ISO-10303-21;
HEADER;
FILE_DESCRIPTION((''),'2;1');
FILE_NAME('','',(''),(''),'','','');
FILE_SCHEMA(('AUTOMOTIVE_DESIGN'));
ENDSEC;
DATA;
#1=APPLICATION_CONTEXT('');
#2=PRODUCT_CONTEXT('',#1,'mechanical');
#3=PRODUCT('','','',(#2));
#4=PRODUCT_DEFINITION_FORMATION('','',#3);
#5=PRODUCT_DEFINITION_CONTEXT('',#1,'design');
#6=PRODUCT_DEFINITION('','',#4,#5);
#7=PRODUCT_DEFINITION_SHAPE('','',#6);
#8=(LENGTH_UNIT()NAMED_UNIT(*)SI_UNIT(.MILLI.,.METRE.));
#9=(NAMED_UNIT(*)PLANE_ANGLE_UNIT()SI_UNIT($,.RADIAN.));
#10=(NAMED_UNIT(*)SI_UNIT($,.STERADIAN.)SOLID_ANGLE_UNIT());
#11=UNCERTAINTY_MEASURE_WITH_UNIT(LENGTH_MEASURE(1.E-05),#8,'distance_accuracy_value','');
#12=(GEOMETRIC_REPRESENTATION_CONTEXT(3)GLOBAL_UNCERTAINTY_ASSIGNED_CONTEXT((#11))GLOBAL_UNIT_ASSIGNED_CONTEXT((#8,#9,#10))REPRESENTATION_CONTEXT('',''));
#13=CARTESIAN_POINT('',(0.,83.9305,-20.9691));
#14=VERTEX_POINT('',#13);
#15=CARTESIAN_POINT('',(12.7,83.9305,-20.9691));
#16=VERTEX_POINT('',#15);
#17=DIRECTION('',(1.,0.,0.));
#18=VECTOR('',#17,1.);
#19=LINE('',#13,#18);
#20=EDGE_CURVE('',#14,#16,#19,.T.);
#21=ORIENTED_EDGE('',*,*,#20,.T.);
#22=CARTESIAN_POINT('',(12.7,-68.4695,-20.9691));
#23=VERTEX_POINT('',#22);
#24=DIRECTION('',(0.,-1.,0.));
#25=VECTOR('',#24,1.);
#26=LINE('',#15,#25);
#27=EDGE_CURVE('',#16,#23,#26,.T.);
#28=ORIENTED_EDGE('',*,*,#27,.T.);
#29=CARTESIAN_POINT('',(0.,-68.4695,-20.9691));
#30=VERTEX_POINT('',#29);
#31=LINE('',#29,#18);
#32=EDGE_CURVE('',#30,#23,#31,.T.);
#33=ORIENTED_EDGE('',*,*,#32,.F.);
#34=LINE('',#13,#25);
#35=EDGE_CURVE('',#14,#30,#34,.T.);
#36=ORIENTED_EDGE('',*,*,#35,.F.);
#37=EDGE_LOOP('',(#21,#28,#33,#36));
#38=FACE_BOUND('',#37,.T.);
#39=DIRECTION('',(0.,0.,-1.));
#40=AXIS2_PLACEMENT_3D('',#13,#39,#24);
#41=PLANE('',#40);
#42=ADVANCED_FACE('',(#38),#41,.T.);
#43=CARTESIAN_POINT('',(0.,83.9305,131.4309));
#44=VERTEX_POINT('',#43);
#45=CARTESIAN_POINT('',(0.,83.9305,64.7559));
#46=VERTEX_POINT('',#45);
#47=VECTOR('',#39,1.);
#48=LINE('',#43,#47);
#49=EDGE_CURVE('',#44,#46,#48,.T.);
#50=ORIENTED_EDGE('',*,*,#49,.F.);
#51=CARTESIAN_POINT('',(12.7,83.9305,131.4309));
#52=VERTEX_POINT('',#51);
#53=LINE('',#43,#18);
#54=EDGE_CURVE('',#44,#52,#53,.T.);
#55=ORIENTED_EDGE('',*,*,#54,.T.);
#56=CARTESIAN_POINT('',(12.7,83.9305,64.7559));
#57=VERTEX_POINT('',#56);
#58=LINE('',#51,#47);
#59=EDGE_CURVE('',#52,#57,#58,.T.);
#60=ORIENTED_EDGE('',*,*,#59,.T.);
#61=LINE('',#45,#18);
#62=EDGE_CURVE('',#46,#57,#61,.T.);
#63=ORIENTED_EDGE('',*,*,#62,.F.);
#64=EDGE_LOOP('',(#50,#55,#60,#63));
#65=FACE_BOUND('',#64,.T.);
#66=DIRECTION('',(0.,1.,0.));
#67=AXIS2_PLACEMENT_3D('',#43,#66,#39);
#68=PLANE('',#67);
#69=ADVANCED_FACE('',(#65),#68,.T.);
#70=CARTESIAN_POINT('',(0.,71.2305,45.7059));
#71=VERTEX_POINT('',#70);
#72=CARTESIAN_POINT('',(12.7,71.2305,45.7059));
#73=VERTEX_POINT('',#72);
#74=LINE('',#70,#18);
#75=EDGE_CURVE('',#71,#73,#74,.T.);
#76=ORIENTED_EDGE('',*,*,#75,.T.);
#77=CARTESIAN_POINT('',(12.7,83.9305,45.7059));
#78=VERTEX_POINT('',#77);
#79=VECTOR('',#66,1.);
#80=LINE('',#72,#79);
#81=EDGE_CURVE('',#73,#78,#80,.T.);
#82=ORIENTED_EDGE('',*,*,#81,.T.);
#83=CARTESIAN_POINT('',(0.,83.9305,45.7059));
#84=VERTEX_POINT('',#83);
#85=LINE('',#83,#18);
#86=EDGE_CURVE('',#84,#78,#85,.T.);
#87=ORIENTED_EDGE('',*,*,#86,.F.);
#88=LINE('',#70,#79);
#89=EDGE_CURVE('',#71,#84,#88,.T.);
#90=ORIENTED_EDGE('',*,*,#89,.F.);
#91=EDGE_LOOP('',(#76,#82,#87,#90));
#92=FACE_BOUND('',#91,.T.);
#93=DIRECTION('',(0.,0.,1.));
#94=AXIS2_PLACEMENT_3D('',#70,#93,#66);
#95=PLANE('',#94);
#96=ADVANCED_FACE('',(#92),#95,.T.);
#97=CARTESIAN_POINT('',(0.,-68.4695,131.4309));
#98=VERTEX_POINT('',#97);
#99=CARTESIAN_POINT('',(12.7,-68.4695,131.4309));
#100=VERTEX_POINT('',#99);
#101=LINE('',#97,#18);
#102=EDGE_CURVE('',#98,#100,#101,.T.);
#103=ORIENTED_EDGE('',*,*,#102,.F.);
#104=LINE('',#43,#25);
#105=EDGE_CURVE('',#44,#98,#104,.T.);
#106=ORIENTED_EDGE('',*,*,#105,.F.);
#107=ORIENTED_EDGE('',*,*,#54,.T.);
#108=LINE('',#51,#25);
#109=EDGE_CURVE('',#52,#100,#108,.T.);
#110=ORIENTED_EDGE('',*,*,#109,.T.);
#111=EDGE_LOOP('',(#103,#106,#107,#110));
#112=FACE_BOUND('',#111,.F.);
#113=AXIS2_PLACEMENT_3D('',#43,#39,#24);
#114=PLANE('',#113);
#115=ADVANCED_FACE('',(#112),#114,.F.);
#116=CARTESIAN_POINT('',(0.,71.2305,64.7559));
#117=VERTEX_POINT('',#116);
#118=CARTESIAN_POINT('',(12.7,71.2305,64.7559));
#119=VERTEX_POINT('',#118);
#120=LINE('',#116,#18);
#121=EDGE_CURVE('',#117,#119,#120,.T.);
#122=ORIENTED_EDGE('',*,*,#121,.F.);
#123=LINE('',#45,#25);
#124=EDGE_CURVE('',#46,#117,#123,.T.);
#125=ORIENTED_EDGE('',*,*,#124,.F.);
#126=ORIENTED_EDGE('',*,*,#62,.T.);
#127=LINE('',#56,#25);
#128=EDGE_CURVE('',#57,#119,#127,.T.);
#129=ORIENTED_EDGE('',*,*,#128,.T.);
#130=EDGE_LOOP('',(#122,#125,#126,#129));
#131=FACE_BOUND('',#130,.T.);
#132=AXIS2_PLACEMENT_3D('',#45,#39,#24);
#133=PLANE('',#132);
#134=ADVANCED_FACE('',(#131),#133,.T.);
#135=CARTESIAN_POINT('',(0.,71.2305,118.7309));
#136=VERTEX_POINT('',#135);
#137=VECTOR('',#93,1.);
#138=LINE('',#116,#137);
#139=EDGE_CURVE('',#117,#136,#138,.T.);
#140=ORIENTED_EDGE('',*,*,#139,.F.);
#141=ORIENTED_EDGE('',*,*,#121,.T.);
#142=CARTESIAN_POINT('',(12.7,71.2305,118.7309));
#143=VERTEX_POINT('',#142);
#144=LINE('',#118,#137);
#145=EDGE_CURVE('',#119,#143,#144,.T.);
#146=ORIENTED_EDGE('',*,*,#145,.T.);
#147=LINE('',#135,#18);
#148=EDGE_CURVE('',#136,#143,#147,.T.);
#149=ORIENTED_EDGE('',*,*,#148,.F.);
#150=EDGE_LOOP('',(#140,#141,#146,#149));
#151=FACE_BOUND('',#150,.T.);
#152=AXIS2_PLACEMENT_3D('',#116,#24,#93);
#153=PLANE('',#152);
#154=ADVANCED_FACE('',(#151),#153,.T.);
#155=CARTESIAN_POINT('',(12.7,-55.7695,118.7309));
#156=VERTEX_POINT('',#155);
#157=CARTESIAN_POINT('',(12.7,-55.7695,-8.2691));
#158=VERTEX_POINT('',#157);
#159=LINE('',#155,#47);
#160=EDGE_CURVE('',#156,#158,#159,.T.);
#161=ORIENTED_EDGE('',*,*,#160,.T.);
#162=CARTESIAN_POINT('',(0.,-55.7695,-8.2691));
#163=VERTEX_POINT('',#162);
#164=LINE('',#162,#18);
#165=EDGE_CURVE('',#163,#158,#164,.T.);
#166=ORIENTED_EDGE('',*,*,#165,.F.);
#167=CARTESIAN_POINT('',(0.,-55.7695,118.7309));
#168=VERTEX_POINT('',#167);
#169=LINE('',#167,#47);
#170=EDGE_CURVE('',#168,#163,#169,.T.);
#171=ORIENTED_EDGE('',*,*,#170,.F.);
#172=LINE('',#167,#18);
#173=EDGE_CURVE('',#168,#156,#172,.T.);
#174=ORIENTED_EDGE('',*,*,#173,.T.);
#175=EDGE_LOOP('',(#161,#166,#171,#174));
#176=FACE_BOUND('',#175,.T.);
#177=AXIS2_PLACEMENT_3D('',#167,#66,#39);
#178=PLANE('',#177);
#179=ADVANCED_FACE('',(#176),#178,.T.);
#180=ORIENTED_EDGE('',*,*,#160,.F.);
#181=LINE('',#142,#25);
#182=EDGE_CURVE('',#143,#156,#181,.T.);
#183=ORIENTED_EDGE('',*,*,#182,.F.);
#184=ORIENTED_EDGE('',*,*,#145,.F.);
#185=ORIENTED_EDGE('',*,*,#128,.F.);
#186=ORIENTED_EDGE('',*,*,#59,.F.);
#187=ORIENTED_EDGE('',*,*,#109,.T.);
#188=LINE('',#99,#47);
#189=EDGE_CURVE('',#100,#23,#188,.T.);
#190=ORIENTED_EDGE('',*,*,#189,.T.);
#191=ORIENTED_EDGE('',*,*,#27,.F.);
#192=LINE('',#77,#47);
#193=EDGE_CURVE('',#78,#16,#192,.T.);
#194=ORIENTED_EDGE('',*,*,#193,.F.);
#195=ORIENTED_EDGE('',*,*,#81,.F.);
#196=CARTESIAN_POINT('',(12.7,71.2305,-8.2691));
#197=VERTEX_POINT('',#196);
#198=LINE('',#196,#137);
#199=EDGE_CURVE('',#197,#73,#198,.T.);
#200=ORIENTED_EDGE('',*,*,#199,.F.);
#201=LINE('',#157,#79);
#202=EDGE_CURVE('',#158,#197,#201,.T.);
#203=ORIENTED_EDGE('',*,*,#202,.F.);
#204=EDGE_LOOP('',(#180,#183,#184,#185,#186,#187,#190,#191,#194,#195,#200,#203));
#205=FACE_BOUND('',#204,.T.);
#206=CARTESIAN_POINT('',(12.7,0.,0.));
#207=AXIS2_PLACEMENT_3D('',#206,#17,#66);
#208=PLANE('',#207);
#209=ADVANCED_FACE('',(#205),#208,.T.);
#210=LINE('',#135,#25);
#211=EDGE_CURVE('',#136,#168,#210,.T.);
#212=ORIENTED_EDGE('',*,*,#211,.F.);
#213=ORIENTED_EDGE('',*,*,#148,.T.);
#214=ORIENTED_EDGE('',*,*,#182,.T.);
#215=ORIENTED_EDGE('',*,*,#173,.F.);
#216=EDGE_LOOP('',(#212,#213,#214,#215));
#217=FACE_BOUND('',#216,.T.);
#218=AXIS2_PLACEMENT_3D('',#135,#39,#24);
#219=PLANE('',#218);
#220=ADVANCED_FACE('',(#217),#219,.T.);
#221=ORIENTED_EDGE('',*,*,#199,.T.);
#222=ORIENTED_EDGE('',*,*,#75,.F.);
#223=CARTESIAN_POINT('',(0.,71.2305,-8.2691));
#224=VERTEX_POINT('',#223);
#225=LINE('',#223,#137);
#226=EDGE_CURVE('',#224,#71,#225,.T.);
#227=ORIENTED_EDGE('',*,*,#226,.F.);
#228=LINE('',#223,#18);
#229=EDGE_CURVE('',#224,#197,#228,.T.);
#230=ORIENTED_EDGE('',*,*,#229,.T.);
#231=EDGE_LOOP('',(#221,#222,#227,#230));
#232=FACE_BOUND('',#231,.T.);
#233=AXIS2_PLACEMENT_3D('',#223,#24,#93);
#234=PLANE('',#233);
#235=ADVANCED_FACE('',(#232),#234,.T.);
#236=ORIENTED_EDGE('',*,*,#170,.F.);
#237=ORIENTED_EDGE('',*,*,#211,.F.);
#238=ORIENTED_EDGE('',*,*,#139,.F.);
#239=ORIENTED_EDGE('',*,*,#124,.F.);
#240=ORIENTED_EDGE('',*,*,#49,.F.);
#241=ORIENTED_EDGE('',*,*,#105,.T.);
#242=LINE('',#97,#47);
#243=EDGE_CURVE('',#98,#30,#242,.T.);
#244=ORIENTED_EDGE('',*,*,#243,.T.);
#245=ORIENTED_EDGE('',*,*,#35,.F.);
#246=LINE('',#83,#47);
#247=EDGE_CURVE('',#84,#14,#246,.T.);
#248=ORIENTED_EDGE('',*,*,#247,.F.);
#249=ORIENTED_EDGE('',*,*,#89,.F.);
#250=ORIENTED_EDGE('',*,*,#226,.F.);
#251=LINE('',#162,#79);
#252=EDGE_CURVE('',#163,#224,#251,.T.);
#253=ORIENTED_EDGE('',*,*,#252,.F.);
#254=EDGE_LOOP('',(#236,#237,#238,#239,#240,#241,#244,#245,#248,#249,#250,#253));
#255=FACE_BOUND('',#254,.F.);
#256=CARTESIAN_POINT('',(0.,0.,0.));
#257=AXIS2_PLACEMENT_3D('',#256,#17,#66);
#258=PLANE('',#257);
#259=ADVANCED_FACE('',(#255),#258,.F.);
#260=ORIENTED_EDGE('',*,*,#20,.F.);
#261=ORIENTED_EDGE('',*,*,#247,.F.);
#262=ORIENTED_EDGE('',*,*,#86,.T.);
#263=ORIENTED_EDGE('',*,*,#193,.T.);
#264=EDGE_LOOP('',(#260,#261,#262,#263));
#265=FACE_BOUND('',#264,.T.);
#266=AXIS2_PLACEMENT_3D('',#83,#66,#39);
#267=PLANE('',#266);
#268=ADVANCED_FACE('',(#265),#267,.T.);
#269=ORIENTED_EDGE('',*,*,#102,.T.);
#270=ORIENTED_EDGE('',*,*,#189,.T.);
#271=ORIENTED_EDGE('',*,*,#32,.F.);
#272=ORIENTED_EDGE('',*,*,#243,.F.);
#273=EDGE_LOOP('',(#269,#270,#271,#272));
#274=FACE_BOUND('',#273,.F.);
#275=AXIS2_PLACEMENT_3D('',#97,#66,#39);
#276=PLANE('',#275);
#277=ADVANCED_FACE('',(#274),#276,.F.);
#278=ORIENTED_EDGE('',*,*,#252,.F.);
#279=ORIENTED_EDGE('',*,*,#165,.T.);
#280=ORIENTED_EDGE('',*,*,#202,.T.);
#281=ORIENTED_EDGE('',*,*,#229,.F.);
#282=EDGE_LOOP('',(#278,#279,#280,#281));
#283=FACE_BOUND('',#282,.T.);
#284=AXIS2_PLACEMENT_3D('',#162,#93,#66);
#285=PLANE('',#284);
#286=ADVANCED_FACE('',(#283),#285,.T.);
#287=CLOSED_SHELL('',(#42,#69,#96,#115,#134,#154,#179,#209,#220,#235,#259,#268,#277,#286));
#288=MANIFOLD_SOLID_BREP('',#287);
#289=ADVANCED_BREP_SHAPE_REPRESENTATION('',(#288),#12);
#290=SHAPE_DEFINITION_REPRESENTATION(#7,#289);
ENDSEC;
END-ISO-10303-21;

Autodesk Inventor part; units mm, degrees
ref_plane "YZ Plane" through (0, 0, 0) normal (1, 0, 0) x (0, 1, 0)
ref_plane "XZ Plane" through (0, 0, 0) normal (0, 1, 0) x (-1, 0, 0)
ref_plane "XY Plane" through (0, 0, 0) normal (0, 0, 1) x (1, 0, 0)
sketch "Sketch1" plane through (0, 0, 0) normal (1, 0, 0) x (0, 1, 0)
  line L0 (83.9305, 131.4309) -> (83.9305, 64.7559)
  line L1 (83.9305, 64.7559) -> (71.2305, 64.7559)
  line L2 (71.2305, 64.7559) -> (71.2305, 118.7309)
  line L3 (71.2305, 118.7309) -> (-55.7695, 118.7309)
  line L4 (-55.7695, 118.7309) -> (-55.7695, -8.2691)
  line L5 (-55.7695, -8.2691) -> (71.2305, -8.2691)
  line L6 (71.2305, -8.2691) -> (71.2305, 45.7059)
  line L7 (71.2305, 45.7059) -> (83.9305, 45.7059)
  line L8 (83.9305, 45.7059) -> (83.9305, -20.9691)
  line L9 (83.9305, -20.9691) -> (-68.4695, -20.9691)
  line L10 (83.9305, 131.4309) -> (-68.4695, 131.4309)
  line L11 (-68.4695, 131.4309) -> (-68.4695, -20.9691)
  dimension "d7" = 152.4
  dimension "d8" = 19.05
  dimension "d9" = 66.675
  dimension "d10" = 152.4
  dimension "d11" = 12.7
  dimension "d12" = 12.7
  dimension "d13" = 12.7
  dimension "d14" = 12.7
extrude "Extrusion1" add sketch "Sketch1" along normal blind 12.7
ref_plane "Work Plane1" through (0, -68.4695, 55.2309) normal (0, 0, 1) x (1, 0, 0)
ref_plane "Work Plane2" through (0, 77.5805, 131.4309) normal (0, 1, 0) x (1, 0, 0)
ref_plane "Work Plane3" through (0, -62.1195, 118.7309) normal (0, 1, 0) x (1, 0, 0)
ref_plane "Work Plane4" through (6.35, 0, 0) normal (1, 0, 0) x (0, 0, -1)
equation "\"d9\" = -0.5 * d8 + 0.5 * d7"
equation "\"d12\" = d11"
equation "\"d13\" = d11"
equation "\"d14\" = d11"
properties part number "Head Post Holder_Prototype"
